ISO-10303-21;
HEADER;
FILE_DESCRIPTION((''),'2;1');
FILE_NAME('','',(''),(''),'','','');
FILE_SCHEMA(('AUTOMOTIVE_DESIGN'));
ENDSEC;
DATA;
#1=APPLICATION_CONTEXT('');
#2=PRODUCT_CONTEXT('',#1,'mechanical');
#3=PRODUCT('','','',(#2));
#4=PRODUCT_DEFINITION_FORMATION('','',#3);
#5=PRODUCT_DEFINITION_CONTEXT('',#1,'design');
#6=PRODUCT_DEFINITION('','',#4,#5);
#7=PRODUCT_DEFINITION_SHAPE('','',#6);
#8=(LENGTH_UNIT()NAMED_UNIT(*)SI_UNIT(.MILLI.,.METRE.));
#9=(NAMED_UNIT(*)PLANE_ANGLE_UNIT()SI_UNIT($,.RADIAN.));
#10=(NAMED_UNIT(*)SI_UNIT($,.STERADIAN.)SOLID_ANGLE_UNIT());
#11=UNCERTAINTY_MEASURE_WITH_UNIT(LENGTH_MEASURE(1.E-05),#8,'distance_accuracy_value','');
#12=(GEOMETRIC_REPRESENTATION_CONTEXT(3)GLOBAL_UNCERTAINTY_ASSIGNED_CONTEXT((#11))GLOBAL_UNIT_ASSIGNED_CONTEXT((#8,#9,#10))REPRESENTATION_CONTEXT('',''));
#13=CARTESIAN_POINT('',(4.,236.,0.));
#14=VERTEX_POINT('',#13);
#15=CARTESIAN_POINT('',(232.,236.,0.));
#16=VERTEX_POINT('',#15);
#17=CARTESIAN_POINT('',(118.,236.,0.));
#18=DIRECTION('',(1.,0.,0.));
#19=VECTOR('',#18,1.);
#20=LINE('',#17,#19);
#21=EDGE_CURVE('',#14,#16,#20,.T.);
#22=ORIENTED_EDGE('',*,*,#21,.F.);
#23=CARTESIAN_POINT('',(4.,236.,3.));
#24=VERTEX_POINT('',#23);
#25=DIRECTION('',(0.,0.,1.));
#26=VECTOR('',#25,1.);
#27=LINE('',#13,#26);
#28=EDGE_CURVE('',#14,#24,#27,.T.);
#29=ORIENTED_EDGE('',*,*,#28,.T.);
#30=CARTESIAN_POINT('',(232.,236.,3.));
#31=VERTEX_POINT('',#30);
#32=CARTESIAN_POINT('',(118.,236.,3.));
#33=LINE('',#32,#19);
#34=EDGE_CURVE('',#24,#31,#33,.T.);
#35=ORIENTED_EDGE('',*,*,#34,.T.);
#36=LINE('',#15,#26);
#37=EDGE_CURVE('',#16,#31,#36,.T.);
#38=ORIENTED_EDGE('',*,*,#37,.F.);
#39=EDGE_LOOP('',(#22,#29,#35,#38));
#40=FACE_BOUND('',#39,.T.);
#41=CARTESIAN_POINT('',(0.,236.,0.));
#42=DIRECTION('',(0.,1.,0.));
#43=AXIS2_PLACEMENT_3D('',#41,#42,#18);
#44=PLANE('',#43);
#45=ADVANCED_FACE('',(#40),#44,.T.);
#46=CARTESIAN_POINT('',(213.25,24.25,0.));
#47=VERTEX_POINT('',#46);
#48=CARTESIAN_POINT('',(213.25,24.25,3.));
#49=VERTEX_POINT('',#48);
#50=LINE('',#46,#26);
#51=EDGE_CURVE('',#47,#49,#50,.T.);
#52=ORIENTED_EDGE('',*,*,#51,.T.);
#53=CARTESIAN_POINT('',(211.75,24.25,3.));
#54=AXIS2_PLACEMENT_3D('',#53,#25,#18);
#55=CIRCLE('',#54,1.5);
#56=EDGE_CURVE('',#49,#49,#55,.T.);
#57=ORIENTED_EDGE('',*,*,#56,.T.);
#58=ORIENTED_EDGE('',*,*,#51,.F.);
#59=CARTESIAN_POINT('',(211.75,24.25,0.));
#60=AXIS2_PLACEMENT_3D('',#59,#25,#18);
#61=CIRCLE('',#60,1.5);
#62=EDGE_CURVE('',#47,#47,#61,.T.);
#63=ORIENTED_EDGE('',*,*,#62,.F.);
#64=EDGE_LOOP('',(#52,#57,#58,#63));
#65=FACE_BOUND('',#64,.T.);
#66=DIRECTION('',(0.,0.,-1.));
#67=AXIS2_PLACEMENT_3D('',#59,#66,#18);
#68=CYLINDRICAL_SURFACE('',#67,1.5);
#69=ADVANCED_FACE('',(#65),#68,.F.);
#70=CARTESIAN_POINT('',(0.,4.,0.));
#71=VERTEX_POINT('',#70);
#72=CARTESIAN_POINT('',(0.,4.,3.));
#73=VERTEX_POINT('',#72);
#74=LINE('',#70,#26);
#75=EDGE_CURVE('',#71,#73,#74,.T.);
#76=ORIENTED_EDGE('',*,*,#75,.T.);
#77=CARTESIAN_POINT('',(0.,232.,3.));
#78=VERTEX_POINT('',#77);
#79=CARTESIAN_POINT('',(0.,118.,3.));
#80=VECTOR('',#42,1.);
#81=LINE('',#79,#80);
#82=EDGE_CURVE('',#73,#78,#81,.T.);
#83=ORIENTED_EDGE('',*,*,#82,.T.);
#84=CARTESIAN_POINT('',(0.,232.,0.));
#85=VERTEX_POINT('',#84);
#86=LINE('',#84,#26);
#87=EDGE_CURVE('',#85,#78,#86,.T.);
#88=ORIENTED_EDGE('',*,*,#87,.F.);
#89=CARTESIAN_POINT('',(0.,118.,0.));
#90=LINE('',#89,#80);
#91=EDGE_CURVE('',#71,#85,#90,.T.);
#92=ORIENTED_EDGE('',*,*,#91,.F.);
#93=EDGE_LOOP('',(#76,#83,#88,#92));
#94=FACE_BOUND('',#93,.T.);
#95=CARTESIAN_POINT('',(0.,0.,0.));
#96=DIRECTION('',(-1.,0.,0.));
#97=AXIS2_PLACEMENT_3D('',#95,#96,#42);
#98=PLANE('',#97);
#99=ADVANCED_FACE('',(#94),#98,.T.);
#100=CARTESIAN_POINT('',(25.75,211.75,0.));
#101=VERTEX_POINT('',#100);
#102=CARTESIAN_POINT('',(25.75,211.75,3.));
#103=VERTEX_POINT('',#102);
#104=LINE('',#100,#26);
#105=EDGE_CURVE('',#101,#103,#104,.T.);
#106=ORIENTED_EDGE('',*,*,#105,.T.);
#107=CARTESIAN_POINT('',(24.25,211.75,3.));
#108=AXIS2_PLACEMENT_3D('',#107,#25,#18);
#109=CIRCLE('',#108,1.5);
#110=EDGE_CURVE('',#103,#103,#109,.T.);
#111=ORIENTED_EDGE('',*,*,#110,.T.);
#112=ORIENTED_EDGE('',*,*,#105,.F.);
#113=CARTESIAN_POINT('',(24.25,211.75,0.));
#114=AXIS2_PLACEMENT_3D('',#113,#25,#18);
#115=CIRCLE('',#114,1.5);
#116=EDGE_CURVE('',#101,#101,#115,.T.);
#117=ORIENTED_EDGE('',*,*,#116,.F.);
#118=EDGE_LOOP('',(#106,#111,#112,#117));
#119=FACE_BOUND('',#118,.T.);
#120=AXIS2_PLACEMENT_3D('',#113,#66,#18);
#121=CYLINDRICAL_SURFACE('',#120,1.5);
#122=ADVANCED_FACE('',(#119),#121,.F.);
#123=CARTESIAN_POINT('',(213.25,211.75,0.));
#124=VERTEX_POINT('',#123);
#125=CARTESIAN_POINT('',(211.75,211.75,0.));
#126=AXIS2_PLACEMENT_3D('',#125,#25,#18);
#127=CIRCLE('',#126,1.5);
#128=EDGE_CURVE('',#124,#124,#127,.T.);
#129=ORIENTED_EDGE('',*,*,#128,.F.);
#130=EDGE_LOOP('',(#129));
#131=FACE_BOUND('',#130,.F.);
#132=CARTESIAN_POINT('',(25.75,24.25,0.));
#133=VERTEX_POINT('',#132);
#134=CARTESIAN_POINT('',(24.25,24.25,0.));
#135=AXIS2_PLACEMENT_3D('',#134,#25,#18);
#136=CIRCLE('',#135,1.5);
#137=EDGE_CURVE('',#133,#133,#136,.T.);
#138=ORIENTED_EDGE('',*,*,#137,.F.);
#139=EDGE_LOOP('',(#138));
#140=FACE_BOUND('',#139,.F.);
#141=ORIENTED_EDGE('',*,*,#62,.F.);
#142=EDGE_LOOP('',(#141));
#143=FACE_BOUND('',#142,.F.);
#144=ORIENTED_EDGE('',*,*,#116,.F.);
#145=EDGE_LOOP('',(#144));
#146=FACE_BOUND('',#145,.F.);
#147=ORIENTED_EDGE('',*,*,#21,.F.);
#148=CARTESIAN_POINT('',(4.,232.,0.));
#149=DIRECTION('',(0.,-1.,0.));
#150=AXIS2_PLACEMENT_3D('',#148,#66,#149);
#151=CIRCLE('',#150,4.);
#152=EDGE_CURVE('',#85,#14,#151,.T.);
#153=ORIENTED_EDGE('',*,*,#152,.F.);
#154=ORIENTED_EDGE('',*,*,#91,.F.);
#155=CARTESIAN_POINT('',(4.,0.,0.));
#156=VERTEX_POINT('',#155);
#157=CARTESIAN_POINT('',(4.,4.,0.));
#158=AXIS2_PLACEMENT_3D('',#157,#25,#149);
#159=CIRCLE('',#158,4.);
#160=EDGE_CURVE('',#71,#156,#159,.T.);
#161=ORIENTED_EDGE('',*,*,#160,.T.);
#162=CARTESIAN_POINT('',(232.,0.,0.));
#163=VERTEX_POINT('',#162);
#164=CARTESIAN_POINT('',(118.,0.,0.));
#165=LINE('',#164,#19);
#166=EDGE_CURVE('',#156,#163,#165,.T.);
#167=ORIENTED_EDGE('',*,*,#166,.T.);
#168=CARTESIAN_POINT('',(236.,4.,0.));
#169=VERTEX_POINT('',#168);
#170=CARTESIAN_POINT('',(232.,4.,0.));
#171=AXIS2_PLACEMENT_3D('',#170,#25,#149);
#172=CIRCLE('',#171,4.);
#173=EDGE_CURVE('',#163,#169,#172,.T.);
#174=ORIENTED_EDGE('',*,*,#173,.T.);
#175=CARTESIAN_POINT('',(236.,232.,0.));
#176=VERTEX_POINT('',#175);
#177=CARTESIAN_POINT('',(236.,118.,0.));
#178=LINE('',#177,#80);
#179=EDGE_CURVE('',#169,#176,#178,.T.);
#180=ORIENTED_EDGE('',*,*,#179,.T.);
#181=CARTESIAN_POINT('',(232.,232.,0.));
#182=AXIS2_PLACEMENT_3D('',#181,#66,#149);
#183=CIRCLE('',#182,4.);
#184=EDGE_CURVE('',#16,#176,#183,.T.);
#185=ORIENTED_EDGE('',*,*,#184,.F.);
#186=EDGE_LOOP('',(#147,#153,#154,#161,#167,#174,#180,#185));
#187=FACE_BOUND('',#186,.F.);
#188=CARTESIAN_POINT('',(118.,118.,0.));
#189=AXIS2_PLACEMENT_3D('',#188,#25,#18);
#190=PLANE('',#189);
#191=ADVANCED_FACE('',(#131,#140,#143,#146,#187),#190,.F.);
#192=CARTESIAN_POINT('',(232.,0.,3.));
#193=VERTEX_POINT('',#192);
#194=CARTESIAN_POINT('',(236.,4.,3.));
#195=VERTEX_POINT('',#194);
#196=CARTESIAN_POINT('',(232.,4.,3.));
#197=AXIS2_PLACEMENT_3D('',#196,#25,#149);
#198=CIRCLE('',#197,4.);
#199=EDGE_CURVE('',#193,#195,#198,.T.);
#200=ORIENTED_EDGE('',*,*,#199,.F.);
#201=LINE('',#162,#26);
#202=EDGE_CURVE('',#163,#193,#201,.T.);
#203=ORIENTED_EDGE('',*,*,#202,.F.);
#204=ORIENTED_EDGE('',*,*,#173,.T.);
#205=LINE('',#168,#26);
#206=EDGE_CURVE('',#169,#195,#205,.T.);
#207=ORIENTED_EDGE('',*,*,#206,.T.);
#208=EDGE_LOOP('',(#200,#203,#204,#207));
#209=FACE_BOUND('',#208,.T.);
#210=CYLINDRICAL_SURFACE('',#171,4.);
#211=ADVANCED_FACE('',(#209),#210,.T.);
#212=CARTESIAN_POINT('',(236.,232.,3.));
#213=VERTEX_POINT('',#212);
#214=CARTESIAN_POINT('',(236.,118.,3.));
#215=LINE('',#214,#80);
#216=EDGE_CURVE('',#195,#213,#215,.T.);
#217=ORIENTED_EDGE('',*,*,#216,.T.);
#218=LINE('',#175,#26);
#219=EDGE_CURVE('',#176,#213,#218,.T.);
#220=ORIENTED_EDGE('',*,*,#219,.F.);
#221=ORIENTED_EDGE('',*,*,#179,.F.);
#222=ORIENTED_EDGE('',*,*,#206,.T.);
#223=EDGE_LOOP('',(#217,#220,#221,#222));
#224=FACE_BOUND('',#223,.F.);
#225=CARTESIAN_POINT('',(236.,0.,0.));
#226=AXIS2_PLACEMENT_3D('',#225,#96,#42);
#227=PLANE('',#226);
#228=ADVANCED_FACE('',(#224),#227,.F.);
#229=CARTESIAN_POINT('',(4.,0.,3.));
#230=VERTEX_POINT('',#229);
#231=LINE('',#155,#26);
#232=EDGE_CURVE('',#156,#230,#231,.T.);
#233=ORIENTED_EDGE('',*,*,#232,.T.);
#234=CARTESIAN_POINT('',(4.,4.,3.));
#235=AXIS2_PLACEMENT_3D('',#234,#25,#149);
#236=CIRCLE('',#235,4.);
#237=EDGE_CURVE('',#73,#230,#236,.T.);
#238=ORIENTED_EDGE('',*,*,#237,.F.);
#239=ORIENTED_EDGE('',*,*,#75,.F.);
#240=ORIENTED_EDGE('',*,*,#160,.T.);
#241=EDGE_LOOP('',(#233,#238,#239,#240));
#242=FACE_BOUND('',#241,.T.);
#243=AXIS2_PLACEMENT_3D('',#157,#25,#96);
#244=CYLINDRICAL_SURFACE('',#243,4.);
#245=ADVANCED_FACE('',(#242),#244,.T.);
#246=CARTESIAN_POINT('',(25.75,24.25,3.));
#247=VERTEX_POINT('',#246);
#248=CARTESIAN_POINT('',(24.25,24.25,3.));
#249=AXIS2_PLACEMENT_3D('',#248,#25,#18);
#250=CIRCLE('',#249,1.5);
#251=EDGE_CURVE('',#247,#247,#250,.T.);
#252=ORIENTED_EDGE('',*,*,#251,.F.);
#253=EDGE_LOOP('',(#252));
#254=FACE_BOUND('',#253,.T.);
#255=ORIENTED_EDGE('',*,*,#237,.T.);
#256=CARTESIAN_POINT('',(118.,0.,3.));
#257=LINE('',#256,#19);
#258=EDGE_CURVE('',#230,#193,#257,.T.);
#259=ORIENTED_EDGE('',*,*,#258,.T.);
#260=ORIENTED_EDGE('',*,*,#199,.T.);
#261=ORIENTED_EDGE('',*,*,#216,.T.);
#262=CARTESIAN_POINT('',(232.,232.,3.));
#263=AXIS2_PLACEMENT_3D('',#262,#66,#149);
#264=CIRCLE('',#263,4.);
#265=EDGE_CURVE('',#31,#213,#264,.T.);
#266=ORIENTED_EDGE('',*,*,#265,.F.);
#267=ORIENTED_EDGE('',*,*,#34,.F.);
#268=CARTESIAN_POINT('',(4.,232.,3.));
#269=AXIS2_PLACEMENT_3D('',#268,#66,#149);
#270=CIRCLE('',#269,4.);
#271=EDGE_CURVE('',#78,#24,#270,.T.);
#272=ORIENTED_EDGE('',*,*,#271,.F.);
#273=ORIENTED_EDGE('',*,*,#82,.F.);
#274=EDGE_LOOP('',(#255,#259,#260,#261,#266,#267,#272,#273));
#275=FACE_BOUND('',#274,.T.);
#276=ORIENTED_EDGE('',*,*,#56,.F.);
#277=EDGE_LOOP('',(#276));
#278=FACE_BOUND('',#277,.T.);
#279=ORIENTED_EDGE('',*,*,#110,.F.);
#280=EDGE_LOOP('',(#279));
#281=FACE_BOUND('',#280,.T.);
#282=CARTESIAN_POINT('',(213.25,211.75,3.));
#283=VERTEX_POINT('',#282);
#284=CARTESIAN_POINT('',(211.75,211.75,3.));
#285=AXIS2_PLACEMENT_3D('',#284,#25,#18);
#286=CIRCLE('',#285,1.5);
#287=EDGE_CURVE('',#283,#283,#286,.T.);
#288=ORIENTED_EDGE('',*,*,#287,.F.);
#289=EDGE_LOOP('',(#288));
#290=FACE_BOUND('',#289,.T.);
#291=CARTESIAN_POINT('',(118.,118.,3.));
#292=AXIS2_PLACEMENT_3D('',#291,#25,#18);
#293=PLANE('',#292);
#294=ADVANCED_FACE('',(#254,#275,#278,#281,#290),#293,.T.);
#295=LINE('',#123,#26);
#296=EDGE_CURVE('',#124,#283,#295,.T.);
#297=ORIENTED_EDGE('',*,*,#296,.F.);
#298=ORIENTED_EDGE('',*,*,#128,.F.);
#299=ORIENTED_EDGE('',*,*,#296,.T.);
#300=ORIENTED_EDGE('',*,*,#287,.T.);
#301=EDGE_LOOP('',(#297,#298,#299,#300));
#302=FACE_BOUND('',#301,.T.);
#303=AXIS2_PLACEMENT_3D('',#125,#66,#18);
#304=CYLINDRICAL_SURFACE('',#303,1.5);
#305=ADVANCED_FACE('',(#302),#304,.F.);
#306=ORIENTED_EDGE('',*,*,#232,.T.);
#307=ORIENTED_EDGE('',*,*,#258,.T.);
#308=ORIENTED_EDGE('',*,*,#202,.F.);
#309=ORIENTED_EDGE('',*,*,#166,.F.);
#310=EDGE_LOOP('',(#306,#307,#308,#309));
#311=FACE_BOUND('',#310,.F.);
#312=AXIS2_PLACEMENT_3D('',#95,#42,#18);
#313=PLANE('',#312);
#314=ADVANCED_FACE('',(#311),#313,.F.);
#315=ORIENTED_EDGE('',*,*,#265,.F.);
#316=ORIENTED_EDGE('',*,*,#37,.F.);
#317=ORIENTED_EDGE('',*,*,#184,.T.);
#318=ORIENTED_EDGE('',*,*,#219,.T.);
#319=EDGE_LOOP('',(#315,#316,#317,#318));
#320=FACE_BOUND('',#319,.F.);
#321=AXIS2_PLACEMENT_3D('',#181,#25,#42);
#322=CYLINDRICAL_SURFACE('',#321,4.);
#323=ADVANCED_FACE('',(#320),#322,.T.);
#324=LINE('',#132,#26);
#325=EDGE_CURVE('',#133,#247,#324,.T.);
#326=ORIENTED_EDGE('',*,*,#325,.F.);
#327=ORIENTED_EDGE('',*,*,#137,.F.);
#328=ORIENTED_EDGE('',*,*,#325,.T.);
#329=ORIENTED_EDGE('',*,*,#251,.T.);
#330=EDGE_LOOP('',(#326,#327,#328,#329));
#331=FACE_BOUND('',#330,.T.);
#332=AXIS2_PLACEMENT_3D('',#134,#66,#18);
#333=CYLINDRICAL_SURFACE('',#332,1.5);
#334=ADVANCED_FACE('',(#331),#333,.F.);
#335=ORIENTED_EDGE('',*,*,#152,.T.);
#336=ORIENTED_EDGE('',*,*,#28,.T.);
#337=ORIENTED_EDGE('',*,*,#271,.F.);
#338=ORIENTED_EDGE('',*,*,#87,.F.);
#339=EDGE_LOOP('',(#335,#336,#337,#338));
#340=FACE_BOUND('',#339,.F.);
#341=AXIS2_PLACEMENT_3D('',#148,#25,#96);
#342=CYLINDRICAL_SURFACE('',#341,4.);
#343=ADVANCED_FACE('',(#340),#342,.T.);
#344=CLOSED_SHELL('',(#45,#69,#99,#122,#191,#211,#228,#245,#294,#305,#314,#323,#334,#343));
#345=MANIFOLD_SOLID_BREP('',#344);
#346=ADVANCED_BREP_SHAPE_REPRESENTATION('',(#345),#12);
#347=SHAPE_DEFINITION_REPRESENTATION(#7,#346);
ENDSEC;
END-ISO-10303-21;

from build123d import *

# Parameters (mm, degrees)
F1_W     = 236
F1_H     = 236
F1_R     = 1.5
F2_DEPTH = 3
F3_R     = 4


with BuildPart() as f2:
    # F1 (on Top) → F2 (new body)
    with BuildSketch(Plane.XY):
        with Locations((118, 118)):
            Rectangle(F1_W, F1_H)
        with Locations((24.25, 24.25)):
            Circle(F1_R, mode=Mode.SUBTRACT)
        with Locations((211.75, 24.25)):
            Circle(F1_R, mode=Mode.SUBTRACT)
        with Locations((24.25, 211.75)):
            Circle(F1_R, mode=Mode.SUBTRACT)
        with Locations((211.75, 211.75)):
            Circle(F1_R, mode=Mode.SUBTRACT)
    extrude(amount=F2_DEPTH)

    # F3
    f3_edges = [f2.edges().sort_by_distance(p)[0] for p in [
        (0, 0, 1.5),
        (0, 236, 1.5),
        (236, 236, 1.5),
        (236, 0, 1.5),
    ]]
    fillet(f3_edges, radius=F3_R)


solid = f2.part
